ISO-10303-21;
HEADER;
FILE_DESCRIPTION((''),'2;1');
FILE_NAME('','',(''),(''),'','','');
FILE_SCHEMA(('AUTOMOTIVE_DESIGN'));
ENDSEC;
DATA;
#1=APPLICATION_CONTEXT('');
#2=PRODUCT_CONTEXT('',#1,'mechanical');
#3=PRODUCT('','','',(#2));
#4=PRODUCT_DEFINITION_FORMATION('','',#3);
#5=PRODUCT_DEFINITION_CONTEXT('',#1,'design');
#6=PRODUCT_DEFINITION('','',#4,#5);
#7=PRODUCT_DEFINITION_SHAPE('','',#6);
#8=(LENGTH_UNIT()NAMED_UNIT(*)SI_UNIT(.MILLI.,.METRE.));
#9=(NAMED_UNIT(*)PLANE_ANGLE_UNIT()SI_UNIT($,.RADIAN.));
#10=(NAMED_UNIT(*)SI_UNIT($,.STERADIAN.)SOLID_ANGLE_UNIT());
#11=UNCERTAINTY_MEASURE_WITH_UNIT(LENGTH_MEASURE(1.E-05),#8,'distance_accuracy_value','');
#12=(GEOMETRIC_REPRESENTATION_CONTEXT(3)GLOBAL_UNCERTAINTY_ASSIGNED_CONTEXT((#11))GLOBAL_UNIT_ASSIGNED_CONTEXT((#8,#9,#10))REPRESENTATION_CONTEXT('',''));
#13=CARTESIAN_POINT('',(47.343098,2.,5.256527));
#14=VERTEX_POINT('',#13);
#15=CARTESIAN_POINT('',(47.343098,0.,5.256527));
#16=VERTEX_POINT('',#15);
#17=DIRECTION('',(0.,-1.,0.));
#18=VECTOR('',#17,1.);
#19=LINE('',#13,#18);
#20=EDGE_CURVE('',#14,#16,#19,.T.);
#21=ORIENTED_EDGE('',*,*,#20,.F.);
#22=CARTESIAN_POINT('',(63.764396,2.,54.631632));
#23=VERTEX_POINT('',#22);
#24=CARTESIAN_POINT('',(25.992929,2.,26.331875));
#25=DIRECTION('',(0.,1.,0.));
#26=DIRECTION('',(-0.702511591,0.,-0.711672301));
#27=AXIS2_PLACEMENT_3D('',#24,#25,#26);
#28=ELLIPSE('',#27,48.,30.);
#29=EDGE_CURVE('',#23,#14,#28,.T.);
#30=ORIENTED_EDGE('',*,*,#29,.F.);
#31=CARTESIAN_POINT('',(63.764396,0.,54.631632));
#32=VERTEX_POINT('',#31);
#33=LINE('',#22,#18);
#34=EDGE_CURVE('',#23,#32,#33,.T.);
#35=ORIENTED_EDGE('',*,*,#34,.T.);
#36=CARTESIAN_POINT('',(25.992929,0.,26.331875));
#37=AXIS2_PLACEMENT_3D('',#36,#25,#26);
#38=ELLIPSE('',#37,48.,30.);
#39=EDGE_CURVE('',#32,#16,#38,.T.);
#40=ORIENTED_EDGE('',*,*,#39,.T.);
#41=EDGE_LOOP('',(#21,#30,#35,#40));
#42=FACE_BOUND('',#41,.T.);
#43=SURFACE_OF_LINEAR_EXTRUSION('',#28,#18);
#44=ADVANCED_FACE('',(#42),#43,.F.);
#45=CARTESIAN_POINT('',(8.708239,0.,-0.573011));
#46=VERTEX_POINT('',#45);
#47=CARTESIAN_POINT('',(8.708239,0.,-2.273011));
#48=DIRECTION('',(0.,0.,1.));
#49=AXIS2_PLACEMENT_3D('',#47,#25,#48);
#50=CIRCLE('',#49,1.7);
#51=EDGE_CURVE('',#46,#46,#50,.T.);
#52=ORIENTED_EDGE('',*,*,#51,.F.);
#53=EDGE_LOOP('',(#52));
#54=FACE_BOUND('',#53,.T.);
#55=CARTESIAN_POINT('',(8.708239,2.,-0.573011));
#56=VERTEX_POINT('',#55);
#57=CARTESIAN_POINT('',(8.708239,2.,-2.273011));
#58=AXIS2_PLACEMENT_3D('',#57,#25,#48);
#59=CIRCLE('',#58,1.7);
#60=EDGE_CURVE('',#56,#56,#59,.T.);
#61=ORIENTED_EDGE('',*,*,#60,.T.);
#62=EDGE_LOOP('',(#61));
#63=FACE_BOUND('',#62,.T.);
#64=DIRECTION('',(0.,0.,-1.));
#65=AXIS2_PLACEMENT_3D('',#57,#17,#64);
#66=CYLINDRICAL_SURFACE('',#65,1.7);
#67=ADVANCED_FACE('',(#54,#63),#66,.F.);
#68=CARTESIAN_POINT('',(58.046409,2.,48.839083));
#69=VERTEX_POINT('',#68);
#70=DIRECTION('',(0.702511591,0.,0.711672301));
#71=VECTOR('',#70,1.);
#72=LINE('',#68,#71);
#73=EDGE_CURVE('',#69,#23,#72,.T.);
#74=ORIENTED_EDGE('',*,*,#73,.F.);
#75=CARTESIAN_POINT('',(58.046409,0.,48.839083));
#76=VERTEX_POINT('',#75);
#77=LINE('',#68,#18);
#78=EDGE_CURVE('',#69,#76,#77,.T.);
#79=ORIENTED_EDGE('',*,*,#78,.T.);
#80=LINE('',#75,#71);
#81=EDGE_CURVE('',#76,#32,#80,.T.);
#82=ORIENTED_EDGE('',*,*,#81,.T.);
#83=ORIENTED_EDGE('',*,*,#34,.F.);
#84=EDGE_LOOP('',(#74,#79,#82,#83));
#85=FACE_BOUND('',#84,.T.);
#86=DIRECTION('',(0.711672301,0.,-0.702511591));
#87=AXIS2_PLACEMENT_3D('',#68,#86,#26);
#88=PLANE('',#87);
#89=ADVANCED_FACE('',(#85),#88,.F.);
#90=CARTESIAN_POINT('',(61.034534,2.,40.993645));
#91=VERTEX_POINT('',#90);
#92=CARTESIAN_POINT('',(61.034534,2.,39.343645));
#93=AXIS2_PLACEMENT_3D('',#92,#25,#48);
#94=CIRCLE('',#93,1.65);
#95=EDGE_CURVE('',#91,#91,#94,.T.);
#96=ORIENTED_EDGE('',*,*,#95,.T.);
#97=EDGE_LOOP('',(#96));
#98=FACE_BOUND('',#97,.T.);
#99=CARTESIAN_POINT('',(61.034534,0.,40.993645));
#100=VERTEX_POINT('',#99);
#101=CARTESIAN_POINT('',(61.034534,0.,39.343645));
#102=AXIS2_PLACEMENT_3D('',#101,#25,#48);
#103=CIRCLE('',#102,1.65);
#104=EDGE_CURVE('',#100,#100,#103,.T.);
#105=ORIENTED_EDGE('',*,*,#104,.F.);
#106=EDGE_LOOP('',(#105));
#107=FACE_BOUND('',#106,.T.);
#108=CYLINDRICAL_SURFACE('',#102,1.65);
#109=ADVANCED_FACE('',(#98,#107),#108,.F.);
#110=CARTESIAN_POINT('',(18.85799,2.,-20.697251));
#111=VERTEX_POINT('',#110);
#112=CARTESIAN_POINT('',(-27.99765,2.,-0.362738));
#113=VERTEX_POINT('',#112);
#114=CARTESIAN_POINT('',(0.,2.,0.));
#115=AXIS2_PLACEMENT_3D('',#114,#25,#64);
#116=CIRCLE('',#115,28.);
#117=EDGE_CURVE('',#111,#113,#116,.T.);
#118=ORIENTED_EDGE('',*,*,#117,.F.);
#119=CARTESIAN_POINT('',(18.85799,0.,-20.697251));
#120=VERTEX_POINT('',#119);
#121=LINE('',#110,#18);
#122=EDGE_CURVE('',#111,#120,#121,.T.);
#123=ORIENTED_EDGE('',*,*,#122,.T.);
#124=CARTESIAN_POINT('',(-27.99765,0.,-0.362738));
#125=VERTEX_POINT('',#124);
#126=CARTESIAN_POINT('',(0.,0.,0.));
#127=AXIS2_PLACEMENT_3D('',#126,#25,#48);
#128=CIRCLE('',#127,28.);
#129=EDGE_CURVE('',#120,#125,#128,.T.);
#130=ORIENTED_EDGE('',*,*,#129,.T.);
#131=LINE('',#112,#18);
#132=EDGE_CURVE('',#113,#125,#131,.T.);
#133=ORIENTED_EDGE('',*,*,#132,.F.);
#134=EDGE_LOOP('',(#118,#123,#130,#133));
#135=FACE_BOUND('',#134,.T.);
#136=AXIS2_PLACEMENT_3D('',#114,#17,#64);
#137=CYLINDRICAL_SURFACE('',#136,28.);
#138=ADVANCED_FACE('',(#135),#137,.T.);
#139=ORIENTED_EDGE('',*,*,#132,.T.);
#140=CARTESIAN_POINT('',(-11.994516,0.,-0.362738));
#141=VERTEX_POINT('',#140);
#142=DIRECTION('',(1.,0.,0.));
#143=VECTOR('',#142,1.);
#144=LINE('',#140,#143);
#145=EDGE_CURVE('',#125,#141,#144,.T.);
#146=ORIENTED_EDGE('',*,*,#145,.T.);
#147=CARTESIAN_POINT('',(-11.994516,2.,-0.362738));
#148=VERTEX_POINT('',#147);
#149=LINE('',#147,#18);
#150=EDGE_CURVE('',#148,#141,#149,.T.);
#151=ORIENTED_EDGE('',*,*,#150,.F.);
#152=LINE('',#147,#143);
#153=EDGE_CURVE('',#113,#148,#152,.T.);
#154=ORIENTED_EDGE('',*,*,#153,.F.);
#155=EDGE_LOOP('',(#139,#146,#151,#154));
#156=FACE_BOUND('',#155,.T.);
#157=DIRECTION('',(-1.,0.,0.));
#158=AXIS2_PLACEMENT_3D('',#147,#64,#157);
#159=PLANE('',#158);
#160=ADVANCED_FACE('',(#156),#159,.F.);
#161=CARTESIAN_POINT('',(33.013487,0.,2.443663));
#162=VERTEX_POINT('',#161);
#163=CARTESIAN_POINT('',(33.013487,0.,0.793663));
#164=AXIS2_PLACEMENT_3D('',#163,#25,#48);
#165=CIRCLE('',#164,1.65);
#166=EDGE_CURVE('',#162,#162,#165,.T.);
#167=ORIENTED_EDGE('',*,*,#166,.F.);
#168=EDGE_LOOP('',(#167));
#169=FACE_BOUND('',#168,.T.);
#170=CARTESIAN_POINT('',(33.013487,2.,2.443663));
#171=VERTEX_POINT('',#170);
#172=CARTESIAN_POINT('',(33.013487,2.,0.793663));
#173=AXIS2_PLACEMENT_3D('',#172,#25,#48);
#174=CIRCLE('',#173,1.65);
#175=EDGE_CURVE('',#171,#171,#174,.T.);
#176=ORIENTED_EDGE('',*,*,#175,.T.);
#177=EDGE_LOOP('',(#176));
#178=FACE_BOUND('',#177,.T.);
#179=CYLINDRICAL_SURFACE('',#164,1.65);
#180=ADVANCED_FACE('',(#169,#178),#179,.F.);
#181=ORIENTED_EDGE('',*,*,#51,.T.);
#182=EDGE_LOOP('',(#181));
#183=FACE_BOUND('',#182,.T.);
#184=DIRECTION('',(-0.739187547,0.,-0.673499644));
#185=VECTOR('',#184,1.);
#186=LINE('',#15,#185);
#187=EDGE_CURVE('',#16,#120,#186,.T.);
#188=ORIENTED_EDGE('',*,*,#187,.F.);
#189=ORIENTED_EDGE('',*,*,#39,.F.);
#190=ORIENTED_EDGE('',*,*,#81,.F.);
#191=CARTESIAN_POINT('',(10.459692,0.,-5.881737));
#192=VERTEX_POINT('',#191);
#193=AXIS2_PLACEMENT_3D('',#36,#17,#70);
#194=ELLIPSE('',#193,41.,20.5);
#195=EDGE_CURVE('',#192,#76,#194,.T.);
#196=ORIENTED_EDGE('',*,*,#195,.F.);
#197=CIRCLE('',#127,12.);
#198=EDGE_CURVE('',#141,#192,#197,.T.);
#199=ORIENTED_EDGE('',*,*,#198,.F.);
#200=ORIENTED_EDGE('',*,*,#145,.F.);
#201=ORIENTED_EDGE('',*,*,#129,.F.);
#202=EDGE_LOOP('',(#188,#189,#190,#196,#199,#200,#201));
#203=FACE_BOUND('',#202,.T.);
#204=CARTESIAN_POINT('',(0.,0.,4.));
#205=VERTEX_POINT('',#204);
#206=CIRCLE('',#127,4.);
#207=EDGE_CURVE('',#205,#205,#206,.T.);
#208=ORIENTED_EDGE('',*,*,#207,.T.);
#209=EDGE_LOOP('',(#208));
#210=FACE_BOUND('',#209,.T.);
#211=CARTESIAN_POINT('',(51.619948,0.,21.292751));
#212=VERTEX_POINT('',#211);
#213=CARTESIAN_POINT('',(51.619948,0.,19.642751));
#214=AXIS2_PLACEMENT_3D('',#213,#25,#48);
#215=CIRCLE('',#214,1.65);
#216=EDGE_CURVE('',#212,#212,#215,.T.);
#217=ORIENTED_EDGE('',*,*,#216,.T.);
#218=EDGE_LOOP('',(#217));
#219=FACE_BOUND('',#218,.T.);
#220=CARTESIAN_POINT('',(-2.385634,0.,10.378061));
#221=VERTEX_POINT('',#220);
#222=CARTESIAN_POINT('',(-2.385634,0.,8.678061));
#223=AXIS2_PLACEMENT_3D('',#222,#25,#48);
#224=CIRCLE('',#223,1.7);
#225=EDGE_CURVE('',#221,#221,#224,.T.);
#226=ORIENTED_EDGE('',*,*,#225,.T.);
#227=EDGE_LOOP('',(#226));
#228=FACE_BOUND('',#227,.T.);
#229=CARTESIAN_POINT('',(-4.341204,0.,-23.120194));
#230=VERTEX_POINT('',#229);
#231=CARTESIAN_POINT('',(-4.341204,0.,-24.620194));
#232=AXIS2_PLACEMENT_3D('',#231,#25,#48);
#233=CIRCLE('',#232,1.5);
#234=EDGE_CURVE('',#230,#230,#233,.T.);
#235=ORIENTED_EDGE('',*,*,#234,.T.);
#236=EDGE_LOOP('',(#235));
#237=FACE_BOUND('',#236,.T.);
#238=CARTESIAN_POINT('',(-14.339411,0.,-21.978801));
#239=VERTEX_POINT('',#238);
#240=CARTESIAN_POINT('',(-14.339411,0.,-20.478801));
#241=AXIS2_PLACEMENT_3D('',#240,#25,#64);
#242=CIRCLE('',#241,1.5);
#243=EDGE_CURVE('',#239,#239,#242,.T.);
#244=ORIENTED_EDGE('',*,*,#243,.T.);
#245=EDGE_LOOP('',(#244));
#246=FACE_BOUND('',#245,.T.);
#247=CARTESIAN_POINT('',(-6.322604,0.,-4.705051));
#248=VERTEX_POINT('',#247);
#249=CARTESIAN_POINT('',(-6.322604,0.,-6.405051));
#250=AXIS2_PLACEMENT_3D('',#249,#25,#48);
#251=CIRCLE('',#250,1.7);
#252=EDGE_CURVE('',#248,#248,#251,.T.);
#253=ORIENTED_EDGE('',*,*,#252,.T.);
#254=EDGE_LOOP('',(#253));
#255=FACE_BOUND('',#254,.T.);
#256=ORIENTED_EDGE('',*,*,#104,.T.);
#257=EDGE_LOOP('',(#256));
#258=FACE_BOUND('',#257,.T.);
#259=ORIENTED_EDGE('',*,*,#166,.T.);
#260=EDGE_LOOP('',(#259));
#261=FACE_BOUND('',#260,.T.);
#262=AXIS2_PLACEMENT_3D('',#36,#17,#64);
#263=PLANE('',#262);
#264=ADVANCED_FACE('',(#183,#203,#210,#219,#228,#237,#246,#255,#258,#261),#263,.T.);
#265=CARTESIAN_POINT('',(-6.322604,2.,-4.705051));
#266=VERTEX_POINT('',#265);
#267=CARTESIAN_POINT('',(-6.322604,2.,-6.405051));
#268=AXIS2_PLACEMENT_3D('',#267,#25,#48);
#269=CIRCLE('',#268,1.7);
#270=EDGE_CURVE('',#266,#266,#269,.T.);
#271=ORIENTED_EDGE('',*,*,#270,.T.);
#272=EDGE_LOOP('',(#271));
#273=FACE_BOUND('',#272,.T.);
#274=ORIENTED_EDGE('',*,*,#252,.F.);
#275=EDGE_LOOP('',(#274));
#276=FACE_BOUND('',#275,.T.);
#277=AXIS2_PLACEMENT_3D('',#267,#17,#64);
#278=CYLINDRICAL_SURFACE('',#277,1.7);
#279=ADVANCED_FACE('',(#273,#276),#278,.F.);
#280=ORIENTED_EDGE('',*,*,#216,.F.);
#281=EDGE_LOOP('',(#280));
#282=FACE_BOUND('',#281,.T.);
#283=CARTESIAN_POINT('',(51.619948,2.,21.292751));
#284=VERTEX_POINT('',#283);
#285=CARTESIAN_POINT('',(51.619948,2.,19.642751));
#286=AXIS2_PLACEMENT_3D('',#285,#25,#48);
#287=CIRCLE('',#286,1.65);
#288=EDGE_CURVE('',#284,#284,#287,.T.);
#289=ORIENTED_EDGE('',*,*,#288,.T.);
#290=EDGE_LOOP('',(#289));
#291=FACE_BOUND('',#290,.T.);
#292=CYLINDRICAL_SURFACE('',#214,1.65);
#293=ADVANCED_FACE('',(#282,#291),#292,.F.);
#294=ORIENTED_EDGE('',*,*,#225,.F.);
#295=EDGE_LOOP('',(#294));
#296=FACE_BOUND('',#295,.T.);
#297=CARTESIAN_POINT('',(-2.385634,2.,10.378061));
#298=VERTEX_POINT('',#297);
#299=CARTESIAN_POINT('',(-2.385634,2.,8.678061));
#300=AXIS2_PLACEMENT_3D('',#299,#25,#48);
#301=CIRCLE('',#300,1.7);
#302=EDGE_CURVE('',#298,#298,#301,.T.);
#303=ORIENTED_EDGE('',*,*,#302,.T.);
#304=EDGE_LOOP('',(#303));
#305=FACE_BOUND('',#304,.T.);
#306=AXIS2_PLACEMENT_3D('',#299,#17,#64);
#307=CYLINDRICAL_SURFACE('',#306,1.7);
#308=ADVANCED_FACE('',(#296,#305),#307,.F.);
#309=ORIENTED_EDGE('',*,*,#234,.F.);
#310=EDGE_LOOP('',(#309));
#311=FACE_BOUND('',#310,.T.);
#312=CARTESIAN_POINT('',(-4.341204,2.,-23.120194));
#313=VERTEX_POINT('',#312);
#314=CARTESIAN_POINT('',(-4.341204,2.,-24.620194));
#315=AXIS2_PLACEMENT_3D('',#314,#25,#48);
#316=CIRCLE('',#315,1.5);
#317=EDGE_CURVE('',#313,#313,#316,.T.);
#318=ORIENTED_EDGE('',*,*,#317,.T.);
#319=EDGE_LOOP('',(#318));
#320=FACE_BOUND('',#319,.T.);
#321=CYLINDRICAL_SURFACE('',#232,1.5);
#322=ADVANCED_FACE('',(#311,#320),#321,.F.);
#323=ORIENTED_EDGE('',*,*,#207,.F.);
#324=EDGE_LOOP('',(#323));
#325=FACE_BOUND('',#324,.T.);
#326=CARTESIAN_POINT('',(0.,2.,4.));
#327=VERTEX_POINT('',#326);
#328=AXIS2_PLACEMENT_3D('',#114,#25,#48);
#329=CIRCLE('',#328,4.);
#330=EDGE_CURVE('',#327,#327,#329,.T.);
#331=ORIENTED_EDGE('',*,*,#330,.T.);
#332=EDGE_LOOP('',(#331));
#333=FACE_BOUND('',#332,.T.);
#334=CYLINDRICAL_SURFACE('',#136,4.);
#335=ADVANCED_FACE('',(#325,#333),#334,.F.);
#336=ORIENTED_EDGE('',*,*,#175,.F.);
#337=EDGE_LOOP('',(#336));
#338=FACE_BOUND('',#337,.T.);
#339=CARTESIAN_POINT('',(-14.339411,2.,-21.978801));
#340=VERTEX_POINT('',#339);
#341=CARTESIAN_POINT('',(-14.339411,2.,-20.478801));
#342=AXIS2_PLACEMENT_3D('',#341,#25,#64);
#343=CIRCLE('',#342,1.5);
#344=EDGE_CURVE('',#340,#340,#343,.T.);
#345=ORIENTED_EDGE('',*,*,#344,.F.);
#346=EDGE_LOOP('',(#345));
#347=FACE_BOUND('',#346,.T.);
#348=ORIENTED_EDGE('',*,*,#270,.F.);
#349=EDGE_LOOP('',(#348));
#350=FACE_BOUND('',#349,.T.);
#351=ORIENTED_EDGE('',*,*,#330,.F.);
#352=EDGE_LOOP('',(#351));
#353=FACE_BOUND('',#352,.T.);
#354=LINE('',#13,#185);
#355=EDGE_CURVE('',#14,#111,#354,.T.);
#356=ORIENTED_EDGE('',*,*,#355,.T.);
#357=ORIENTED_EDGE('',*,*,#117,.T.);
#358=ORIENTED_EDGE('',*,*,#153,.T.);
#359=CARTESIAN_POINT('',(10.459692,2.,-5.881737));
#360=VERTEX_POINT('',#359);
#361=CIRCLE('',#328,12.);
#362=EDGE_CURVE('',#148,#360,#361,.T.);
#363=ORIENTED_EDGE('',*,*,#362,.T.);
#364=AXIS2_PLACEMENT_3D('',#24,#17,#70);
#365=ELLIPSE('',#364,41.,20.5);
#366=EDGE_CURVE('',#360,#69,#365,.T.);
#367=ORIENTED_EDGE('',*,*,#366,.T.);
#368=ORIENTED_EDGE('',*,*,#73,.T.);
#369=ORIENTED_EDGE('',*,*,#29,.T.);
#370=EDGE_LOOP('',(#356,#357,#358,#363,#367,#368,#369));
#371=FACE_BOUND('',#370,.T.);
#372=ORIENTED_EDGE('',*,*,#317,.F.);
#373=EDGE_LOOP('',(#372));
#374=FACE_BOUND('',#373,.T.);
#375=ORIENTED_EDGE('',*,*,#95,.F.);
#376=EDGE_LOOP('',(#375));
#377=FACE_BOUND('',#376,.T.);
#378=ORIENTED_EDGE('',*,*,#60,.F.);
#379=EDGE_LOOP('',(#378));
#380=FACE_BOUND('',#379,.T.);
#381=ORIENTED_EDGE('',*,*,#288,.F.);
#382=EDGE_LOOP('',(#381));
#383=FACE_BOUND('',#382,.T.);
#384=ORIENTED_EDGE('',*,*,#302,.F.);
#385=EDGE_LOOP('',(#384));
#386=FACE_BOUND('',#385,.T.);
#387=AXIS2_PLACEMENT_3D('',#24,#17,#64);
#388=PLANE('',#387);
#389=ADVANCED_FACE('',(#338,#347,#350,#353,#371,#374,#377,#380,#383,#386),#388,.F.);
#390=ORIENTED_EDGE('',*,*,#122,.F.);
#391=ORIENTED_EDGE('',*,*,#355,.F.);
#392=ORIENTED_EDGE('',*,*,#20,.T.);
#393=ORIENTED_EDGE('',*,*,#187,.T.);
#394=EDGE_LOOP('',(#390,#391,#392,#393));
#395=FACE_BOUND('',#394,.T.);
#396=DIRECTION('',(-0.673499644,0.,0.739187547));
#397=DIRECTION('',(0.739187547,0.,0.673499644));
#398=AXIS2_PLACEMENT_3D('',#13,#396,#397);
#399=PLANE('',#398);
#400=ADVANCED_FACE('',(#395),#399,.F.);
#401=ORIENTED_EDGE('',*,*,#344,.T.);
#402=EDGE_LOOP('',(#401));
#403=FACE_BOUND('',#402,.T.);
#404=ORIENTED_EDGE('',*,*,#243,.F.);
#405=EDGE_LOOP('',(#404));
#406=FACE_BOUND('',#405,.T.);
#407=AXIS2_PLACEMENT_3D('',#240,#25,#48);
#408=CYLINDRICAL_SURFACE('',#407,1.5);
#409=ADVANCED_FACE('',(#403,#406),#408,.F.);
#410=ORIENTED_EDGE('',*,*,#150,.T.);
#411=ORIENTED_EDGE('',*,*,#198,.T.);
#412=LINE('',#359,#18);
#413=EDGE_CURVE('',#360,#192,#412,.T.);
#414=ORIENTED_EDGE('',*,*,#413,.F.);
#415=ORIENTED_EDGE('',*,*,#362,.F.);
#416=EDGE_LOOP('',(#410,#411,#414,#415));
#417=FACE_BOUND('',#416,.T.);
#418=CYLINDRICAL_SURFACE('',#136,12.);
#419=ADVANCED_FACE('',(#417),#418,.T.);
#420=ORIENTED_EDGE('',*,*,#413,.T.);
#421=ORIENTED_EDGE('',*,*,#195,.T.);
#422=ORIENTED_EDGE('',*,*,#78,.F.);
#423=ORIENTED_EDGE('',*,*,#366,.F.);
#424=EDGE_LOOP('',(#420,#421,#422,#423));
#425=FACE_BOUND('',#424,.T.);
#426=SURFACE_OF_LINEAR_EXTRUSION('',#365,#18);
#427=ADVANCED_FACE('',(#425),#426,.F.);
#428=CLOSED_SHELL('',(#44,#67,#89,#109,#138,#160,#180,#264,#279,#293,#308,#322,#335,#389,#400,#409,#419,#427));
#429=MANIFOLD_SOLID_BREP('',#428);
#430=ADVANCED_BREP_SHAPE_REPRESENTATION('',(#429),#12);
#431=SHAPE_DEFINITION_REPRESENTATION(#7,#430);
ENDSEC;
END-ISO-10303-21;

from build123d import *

# Parameters (mm, degrees)
SKETCH_1_R          = 1.7
SKETCH_1_R_2        = 4
EXTRUDE_1_DEPTH     = 2
SKETCH_2_R          = 1.5
SKETCH_2_R_2        = 1.65
CUT_EXTRUDE_2_DEPTH = 86.626937008


with BuildPart() as part:
    # Эскиз1 → Бобышка-Вытянуть1 (new body)
    with BuildSketch(Plane(origin=(0, 0, 0), x_dir=(1, 0, 0), z_dir=(0, 1, 0))):
        with BuildLine():
            Line((-11.994516295, 0.362737998), (-27.997650279, 0.362737998))
            ThreePointArc((-27.997650279, 0.362737998), (-19.670324553, 19.926824433), (0, 28))
            ThreePointArc((0, 28), (10.111304648, 26.110563347), (18.857990039, 20.697251308))
            Line((18.857990039, 20.697251308), (47.343097909, -5.256527408))
            add(Edge.make_bspline(
                [(63.764396425, -54.631632015), (73.929390971, -32.189504173), (47.343097909, -5.256527408)],
                knots=[3.37709689, 3.37709689, 3.37709689, 4.71238898, 4.71238898, 4.71238898], degree=2, weights=[1, 0.785281266, 1]))
            Line((63.764396425, -54.631632015), (58.046409316, -48.83908269))
            add(Edge.make_bspline(
                [(58.046409316, -48.83908269), (65.599461261, -3.0612118), (10.459692489, 5.881737247)],
                knots=[0.348473456, 0.348473456, 0.348473456, 2.541551794, 2.541551794, 2.541551794], degree=2, weights=[1, 0.456677717, 1]))
            ThreePointArc((10.459692489, 5.881737247), (2.864220523, -11.653164411), (-11.994516295, 0.362737998))
        make_face()
        with Locations(Location((-6.322604321, 6.40505071, 0), (0, 0, 270))):
            Circle(SKETCH_1_R, mode=Mode.SUBTRACT)
        with Locations(Location((0, 0, 0), (0, 0, 270))):
            Circle(SKETCH_1_R_2, mode=Mode.SUBTRACT)
        with Locations(Location((8.708238788, 2.273010605, 0), (0, 0, 270))):
            Circle(SKETCH_1_R, mode=Mode.SUBTRACT)
        with Locations(Location((-2.385634467, -8.678061315, 0), (0, 0, 270))):
            Circle(SKETCH_1_R, mode=Mode.SUBTRACT)
    extrude(amount=EXTRUDE_1_DEPTH)

    # Эскиз2 → Вырез-Вытянуть2 (cut, through all)
    with BuildSketch(Plane(origin=(0, 2, 0), x_dir=(1, 0, 0), z_dir=(0, 1, 0))):
        with Locations(Location((-4.341204442, 24.620193825, 0), (0, 0, 270))):
            Circle(SKETCH_2_R)
        with Locations(Location((-14.339410909, 20.478801107, 0), (0, 0, 90))):
            Circle(SKETCH_2_R)
        with Locations(Location((51.61994824, -19.642751406, 0), (0, 0, 270))):
            Circle(SKETCH_2_R_2)
        with Locations(Location((61.034534355, -39.343644659, 0), (0, 0, 270))):
            Circle(SKETCH_2_R_2)
        with Locations(Location((33.013487472, -0.79366348, 0), (0, 0, 270))):
            Circle(SKETCH_2_R_2)
    extrude(amount=-CUT_EXTRUDE_2_DEPTH, mode=Mode.SUBTRACT)


solid = part.part
